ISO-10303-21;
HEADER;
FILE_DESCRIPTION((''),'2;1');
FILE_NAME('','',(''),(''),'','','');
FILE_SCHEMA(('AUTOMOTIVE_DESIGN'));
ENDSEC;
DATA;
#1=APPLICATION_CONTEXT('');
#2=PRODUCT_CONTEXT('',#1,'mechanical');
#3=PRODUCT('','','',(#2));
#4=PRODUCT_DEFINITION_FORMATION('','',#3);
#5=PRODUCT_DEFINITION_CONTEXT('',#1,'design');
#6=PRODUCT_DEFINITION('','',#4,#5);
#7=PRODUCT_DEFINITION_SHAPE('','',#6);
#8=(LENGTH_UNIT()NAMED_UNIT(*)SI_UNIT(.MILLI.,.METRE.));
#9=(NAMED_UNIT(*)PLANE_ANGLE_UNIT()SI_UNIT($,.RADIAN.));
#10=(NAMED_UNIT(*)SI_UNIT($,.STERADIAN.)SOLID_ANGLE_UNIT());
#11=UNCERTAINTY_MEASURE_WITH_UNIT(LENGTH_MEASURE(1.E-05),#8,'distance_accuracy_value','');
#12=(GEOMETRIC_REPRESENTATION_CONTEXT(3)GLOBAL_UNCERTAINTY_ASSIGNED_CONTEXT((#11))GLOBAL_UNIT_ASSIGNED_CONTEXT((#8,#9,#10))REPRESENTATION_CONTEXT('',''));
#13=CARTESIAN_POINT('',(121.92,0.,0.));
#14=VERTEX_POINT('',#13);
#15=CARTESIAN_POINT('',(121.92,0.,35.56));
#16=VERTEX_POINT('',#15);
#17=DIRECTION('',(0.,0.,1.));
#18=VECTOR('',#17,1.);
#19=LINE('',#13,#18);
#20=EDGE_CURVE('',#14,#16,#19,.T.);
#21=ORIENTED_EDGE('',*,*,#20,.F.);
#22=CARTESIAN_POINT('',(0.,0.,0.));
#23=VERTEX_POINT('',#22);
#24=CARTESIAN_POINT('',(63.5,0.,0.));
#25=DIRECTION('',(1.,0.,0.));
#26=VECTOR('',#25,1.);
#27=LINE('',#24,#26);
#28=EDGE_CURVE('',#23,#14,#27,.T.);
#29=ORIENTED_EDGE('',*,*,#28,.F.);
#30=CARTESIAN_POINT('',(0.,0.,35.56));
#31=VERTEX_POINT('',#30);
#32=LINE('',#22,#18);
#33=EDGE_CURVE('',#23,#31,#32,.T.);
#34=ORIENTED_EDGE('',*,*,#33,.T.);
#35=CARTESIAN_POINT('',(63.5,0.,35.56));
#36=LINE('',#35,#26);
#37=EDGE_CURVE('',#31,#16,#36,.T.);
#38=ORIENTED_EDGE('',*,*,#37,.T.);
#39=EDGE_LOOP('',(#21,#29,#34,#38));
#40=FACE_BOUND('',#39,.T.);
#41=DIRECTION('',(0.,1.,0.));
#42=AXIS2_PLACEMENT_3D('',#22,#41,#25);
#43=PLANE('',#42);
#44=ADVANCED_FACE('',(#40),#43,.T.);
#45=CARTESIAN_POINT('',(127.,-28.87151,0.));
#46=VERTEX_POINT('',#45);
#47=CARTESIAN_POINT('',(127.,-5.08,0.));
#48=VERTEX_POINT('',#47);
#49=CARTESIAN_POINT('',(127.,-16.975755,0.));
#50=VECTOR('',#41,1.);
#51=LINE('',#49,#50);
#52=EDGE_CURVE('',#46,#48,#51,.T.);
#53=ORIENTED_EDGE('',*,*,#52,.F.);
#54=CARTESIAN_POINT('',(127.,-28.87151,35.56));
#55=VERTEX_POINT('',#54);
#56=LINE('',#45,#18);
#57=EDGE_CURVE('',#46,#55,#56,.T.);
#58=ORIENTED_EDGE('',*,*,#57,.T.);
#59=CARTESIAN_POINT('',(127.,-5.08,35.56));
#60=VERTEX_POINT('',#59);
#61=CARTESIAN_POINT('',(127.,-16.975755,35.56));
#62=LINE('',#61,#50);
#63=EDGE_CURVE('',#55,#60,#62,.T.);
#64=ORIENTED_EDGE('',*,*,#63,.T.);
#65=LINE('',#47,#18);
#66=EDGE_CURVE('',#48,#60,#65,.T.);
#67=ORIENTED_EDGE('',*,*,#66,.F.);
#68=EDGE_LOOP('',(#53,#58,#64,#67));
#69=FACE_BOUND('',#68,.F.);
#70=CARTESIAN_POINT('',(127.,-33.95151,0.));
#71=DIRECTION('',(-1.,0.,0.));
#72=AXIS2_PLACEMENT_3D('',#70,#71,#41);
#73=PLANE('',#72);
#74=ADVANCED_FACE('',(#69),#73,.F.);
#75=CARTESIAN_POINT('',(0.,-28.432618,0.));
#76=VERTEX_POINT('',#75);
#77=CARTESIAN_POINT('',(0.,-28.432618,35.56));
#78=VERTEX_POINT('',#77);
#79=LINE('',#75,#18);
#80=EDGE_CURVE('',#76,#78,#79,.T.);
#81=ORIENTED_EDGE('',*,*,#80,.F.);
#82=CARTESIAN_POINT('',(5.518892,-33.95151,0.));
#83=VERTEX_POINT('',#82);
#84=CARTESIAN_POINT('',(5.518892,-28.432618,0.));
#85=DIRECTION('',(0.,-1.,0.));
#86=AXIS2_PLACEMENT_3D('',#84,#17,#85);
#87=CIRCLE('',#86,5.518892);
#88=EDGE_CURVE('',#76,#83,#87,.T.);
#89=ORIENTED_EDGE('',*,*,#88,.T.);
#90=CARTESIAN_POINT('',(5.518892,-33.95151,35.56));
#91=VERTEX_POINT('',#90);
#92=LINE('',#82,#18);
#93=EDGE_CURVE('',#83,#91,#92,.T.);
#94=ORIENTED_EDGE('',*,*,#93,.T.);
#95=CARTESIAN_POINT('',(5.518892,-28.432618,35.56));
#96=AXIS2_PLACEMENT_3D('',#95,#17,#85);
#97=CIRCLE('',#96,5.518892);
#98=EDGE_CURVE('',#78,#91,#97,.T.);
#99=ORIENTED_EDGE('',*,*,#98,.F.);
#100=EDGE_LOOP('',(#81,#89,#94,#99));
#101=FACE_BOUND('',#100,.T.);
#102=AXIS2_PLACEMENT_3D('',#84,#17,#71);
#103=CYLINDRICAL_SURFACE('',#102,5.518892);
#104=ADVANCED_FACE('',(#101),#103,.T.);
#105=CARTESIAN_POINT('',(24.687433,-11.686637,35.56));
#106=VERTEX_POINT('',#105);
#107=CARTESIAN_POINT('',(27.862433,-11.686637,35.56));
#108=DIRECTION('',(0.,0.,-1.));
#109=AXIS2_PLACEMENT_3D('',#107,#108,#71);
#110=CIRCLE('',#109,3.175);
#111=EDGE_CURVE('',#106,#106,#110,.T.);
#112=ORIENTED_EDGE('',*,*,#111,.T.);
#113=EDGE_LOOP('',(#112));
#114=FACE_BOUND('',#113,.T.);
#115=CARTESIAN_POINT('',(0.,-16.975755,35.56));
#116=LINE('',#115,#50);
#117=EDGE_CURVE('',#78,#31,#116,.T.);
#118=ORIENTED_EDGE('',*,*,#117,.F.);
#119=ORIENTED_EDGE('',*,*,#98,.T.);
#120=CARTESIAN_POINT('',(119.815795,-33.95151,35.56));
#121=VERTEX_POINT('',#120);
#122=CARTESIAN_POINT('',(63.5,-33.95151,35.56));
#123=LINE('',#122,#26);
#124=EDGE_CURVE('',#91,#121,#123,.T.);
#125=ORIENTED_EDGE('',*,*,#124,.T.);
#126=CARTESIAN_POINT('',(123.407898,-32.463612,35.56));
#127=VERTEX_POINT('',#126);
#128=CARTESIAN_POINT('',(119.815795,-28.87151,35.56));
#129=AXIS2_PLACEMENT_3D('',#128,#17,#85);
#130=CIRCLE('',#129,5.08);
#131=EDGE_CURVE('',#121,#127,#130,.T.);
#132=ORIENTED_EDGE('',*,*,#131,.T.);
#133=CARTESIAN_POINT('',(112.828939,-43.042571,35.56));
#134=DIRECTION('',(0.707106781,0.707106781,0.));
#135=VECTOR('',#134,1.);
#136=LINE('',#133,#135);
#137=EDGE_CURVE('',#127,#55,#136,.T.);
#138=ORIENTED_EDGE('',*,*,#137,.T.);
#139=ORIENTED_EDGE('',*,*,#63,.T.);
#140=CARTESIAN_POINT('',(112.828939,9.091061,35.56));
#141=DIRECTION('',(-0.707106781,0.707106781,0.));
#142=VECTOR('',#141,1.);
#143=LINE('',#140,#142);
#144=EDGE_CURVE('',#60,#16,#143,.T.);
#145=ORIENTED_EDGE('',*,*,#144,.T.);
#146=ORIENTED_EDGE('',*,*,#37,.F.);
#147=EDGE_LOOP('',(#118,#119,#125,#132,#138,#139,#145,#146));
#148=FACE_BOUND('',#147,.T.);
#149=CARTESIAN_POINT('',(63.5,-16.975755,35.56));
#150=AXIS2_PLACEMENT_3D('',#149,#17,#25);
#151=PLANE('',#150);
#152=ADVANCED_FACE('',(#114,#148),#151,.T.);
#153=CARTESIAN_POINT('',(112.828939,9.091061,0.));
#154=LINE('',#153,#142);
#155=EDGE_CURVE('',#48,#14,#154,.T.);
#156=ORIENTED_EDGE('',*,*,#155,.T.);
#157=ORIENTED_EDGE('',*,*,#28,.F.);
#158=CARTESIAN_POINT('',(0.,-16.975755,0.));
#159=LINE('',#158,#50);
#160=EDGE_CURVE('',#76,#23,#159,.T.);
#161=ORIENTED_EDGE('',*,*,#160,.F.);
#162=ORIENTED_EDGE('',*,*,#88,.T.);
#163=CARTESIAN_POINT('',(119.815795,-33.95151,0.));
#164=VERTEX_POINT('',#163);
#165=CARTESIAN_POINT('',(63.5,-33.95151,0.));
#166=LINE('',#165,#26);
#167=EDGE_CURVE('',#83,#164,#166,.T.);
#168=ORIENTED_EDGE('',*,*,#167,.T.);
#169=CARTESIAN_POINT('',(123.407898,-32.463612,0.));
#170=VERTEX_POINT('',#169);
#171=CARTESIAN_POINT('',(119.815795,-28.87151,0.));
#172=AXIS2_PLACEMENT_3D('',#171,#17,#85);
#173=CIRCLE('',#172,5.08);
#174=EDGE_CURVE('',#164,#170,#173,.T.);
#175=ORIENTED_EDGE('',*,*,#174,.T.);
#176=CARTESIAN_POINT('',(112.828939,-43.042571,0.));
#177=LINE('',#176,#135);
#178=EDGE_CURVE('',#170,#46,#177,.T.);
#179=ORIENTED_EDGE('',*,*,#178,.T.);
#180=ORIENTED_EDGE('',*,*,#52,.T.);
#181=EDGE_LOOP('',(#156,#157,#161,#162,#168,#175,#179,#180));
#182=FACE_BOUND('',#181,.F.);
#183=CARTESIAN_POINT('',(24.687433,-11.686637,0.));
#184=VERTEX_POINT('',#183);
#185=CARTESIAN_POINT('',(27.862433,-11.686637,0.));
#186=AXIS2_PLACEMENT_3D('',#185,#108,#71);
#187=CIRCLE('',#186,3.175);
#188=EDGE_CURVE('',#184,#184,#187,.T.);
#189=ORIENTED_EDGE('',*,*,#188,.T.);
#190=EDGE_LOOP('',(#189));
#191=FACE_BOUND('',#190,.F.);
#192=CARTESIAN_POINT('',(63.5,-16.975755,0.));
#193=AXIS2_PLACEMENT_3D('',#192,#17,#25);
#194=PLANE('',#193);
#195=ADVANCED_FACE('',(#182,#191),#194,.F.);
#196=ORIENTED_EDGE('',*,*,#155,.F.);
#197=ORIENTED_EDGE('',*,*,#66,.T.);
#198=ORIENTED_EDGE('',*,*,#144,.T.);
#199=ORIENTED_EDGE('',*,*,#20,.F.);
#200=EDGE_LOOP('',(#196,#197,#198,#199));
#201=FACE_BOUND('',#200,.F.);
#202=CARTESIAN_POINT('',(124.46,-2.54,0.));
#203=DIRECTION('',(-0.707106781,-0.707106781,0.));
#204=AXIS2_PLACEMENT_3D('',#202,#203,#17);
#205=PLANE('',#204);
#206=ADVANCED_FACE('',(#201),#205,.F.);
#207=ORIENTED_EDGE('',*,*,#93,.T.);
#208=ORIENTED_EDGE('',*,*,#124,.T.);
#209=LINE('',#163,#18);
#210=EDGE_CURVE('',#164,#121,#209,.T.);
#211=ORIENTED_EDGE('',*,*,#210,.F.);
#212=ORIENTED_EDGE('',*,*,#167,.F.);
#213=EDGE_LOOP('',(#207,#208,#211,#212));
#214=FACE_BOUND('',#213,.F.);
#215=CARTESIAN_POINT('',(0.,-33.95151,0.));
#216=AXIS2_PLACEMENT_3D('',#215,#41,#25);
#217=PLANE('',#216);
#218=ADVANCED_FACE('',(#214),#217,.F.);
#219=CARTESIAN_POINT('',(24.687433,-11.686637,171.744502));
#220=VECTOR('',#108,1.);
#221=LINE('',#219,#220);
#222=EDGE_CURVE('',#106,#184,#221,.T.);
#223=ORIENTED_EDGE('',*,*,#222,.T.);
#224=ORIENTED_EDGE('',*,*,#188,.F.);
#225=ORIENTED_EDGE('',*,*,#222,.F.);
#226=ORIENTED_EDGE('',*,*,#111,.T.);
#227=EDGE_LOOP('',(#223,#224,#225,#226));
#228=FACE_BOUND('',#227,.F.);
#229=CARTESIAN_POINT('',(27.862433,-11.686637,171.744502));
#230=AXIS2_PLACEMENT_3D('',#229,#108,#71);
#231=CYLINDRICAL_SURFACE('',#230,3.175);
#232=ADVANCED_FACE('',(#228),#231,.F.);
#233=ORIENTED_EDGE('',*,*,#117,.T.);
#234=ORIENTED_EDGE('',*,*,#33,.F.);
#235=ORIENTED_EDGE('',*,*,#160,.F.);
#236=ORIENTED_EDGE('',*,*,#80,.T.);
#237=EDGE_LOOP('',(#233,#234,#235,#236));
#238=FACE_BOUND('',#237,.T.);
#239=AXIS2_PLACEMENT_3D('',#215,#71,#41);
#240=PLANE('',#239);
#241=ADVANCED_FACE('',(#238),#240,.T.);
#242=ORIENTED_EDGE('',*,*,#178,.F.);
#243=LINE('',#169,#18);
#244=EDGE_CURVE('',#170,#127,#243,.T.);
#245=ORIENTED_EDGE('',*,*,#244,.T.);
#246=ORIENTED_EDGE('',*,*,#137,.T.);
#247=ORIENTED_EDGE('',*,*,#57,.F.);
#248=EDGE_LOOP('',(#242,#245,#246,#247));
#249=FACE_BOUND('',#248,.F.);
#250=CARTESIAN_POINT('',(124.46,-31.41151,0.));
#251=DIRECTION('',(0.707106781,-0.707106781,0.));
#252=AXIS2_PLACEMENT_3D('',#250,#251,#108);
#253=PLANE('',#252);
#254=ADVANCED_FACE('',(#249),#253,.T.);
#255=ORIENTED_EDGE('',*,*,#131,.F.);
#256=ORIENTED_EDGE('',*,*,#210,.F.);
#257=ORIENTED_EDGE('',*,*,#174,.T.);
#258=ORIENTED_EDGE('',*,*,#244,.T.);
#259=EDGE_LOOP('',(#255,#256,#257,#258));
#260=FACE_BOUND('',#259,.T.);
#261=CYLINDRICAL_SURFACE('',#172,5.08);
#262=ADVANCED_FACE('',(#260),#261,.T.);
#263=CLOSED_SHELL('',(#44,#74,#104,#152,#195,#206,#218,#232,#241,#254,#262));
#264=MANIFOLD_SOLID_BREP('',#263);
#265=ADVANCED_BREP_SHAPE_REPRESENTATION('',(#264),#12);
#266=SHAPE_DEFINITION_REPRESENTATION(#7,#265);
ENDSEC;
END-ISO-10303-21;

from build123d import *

# Parameters (mm, degrees)
F0_W     = 127
F0_H     = 33.9515097439
F1_DEPTH = 35.56
F2_R     = 5.5188922036
F3_SIZE  = 5.08
F5_D     = 6.35
F6_R     = 5.08
F7_SIZE  = 5.08


with BuildPart() as f1:
    # F0 (on Top) → F1 (new body)
    with BuildSketch(Plane.XY):
        with Locations((63.5, -16.975754872)):
            Rectangle(F0_W, F0_H)
    extrude(amount=F1_DEPTH)

    # F2
    f2_edges = [f1.edges().sort_by_distance(p)[0] for p in [
        (0, -33.95151, 17.78),
    ]]
    fillet(f2_edges, radius=F2_R)

    # F3
    f3_edges = [f1.edges().sort_by_distance(p)[0] for p in [
        (127, -33.95151, 17.78),
    ]]
    chamfer(f3_edges, length=F3_SIZE)

    # F5 (through all)
    with Locations(Plane.XY.offset(35.56)):
        with Locations((27.8624333441, -11.6866370663)):
            Hole(F5_D / 2)

    # F6
    f6_edges = [f1.edges().sort_by_distance(p)[0] for p in [
        (121.92, -33.95151, 17.78),
    ]]
    fillet(f6_edges, radius=F6_R)

    # F7
    f7_edges = [f1.edges().sort_by_distance(p)[0] for p in [
        (127, 0, 17.78),
    ]]
    chamfer(f7_edges, length=F7_SIZE)


solid = f1.part
